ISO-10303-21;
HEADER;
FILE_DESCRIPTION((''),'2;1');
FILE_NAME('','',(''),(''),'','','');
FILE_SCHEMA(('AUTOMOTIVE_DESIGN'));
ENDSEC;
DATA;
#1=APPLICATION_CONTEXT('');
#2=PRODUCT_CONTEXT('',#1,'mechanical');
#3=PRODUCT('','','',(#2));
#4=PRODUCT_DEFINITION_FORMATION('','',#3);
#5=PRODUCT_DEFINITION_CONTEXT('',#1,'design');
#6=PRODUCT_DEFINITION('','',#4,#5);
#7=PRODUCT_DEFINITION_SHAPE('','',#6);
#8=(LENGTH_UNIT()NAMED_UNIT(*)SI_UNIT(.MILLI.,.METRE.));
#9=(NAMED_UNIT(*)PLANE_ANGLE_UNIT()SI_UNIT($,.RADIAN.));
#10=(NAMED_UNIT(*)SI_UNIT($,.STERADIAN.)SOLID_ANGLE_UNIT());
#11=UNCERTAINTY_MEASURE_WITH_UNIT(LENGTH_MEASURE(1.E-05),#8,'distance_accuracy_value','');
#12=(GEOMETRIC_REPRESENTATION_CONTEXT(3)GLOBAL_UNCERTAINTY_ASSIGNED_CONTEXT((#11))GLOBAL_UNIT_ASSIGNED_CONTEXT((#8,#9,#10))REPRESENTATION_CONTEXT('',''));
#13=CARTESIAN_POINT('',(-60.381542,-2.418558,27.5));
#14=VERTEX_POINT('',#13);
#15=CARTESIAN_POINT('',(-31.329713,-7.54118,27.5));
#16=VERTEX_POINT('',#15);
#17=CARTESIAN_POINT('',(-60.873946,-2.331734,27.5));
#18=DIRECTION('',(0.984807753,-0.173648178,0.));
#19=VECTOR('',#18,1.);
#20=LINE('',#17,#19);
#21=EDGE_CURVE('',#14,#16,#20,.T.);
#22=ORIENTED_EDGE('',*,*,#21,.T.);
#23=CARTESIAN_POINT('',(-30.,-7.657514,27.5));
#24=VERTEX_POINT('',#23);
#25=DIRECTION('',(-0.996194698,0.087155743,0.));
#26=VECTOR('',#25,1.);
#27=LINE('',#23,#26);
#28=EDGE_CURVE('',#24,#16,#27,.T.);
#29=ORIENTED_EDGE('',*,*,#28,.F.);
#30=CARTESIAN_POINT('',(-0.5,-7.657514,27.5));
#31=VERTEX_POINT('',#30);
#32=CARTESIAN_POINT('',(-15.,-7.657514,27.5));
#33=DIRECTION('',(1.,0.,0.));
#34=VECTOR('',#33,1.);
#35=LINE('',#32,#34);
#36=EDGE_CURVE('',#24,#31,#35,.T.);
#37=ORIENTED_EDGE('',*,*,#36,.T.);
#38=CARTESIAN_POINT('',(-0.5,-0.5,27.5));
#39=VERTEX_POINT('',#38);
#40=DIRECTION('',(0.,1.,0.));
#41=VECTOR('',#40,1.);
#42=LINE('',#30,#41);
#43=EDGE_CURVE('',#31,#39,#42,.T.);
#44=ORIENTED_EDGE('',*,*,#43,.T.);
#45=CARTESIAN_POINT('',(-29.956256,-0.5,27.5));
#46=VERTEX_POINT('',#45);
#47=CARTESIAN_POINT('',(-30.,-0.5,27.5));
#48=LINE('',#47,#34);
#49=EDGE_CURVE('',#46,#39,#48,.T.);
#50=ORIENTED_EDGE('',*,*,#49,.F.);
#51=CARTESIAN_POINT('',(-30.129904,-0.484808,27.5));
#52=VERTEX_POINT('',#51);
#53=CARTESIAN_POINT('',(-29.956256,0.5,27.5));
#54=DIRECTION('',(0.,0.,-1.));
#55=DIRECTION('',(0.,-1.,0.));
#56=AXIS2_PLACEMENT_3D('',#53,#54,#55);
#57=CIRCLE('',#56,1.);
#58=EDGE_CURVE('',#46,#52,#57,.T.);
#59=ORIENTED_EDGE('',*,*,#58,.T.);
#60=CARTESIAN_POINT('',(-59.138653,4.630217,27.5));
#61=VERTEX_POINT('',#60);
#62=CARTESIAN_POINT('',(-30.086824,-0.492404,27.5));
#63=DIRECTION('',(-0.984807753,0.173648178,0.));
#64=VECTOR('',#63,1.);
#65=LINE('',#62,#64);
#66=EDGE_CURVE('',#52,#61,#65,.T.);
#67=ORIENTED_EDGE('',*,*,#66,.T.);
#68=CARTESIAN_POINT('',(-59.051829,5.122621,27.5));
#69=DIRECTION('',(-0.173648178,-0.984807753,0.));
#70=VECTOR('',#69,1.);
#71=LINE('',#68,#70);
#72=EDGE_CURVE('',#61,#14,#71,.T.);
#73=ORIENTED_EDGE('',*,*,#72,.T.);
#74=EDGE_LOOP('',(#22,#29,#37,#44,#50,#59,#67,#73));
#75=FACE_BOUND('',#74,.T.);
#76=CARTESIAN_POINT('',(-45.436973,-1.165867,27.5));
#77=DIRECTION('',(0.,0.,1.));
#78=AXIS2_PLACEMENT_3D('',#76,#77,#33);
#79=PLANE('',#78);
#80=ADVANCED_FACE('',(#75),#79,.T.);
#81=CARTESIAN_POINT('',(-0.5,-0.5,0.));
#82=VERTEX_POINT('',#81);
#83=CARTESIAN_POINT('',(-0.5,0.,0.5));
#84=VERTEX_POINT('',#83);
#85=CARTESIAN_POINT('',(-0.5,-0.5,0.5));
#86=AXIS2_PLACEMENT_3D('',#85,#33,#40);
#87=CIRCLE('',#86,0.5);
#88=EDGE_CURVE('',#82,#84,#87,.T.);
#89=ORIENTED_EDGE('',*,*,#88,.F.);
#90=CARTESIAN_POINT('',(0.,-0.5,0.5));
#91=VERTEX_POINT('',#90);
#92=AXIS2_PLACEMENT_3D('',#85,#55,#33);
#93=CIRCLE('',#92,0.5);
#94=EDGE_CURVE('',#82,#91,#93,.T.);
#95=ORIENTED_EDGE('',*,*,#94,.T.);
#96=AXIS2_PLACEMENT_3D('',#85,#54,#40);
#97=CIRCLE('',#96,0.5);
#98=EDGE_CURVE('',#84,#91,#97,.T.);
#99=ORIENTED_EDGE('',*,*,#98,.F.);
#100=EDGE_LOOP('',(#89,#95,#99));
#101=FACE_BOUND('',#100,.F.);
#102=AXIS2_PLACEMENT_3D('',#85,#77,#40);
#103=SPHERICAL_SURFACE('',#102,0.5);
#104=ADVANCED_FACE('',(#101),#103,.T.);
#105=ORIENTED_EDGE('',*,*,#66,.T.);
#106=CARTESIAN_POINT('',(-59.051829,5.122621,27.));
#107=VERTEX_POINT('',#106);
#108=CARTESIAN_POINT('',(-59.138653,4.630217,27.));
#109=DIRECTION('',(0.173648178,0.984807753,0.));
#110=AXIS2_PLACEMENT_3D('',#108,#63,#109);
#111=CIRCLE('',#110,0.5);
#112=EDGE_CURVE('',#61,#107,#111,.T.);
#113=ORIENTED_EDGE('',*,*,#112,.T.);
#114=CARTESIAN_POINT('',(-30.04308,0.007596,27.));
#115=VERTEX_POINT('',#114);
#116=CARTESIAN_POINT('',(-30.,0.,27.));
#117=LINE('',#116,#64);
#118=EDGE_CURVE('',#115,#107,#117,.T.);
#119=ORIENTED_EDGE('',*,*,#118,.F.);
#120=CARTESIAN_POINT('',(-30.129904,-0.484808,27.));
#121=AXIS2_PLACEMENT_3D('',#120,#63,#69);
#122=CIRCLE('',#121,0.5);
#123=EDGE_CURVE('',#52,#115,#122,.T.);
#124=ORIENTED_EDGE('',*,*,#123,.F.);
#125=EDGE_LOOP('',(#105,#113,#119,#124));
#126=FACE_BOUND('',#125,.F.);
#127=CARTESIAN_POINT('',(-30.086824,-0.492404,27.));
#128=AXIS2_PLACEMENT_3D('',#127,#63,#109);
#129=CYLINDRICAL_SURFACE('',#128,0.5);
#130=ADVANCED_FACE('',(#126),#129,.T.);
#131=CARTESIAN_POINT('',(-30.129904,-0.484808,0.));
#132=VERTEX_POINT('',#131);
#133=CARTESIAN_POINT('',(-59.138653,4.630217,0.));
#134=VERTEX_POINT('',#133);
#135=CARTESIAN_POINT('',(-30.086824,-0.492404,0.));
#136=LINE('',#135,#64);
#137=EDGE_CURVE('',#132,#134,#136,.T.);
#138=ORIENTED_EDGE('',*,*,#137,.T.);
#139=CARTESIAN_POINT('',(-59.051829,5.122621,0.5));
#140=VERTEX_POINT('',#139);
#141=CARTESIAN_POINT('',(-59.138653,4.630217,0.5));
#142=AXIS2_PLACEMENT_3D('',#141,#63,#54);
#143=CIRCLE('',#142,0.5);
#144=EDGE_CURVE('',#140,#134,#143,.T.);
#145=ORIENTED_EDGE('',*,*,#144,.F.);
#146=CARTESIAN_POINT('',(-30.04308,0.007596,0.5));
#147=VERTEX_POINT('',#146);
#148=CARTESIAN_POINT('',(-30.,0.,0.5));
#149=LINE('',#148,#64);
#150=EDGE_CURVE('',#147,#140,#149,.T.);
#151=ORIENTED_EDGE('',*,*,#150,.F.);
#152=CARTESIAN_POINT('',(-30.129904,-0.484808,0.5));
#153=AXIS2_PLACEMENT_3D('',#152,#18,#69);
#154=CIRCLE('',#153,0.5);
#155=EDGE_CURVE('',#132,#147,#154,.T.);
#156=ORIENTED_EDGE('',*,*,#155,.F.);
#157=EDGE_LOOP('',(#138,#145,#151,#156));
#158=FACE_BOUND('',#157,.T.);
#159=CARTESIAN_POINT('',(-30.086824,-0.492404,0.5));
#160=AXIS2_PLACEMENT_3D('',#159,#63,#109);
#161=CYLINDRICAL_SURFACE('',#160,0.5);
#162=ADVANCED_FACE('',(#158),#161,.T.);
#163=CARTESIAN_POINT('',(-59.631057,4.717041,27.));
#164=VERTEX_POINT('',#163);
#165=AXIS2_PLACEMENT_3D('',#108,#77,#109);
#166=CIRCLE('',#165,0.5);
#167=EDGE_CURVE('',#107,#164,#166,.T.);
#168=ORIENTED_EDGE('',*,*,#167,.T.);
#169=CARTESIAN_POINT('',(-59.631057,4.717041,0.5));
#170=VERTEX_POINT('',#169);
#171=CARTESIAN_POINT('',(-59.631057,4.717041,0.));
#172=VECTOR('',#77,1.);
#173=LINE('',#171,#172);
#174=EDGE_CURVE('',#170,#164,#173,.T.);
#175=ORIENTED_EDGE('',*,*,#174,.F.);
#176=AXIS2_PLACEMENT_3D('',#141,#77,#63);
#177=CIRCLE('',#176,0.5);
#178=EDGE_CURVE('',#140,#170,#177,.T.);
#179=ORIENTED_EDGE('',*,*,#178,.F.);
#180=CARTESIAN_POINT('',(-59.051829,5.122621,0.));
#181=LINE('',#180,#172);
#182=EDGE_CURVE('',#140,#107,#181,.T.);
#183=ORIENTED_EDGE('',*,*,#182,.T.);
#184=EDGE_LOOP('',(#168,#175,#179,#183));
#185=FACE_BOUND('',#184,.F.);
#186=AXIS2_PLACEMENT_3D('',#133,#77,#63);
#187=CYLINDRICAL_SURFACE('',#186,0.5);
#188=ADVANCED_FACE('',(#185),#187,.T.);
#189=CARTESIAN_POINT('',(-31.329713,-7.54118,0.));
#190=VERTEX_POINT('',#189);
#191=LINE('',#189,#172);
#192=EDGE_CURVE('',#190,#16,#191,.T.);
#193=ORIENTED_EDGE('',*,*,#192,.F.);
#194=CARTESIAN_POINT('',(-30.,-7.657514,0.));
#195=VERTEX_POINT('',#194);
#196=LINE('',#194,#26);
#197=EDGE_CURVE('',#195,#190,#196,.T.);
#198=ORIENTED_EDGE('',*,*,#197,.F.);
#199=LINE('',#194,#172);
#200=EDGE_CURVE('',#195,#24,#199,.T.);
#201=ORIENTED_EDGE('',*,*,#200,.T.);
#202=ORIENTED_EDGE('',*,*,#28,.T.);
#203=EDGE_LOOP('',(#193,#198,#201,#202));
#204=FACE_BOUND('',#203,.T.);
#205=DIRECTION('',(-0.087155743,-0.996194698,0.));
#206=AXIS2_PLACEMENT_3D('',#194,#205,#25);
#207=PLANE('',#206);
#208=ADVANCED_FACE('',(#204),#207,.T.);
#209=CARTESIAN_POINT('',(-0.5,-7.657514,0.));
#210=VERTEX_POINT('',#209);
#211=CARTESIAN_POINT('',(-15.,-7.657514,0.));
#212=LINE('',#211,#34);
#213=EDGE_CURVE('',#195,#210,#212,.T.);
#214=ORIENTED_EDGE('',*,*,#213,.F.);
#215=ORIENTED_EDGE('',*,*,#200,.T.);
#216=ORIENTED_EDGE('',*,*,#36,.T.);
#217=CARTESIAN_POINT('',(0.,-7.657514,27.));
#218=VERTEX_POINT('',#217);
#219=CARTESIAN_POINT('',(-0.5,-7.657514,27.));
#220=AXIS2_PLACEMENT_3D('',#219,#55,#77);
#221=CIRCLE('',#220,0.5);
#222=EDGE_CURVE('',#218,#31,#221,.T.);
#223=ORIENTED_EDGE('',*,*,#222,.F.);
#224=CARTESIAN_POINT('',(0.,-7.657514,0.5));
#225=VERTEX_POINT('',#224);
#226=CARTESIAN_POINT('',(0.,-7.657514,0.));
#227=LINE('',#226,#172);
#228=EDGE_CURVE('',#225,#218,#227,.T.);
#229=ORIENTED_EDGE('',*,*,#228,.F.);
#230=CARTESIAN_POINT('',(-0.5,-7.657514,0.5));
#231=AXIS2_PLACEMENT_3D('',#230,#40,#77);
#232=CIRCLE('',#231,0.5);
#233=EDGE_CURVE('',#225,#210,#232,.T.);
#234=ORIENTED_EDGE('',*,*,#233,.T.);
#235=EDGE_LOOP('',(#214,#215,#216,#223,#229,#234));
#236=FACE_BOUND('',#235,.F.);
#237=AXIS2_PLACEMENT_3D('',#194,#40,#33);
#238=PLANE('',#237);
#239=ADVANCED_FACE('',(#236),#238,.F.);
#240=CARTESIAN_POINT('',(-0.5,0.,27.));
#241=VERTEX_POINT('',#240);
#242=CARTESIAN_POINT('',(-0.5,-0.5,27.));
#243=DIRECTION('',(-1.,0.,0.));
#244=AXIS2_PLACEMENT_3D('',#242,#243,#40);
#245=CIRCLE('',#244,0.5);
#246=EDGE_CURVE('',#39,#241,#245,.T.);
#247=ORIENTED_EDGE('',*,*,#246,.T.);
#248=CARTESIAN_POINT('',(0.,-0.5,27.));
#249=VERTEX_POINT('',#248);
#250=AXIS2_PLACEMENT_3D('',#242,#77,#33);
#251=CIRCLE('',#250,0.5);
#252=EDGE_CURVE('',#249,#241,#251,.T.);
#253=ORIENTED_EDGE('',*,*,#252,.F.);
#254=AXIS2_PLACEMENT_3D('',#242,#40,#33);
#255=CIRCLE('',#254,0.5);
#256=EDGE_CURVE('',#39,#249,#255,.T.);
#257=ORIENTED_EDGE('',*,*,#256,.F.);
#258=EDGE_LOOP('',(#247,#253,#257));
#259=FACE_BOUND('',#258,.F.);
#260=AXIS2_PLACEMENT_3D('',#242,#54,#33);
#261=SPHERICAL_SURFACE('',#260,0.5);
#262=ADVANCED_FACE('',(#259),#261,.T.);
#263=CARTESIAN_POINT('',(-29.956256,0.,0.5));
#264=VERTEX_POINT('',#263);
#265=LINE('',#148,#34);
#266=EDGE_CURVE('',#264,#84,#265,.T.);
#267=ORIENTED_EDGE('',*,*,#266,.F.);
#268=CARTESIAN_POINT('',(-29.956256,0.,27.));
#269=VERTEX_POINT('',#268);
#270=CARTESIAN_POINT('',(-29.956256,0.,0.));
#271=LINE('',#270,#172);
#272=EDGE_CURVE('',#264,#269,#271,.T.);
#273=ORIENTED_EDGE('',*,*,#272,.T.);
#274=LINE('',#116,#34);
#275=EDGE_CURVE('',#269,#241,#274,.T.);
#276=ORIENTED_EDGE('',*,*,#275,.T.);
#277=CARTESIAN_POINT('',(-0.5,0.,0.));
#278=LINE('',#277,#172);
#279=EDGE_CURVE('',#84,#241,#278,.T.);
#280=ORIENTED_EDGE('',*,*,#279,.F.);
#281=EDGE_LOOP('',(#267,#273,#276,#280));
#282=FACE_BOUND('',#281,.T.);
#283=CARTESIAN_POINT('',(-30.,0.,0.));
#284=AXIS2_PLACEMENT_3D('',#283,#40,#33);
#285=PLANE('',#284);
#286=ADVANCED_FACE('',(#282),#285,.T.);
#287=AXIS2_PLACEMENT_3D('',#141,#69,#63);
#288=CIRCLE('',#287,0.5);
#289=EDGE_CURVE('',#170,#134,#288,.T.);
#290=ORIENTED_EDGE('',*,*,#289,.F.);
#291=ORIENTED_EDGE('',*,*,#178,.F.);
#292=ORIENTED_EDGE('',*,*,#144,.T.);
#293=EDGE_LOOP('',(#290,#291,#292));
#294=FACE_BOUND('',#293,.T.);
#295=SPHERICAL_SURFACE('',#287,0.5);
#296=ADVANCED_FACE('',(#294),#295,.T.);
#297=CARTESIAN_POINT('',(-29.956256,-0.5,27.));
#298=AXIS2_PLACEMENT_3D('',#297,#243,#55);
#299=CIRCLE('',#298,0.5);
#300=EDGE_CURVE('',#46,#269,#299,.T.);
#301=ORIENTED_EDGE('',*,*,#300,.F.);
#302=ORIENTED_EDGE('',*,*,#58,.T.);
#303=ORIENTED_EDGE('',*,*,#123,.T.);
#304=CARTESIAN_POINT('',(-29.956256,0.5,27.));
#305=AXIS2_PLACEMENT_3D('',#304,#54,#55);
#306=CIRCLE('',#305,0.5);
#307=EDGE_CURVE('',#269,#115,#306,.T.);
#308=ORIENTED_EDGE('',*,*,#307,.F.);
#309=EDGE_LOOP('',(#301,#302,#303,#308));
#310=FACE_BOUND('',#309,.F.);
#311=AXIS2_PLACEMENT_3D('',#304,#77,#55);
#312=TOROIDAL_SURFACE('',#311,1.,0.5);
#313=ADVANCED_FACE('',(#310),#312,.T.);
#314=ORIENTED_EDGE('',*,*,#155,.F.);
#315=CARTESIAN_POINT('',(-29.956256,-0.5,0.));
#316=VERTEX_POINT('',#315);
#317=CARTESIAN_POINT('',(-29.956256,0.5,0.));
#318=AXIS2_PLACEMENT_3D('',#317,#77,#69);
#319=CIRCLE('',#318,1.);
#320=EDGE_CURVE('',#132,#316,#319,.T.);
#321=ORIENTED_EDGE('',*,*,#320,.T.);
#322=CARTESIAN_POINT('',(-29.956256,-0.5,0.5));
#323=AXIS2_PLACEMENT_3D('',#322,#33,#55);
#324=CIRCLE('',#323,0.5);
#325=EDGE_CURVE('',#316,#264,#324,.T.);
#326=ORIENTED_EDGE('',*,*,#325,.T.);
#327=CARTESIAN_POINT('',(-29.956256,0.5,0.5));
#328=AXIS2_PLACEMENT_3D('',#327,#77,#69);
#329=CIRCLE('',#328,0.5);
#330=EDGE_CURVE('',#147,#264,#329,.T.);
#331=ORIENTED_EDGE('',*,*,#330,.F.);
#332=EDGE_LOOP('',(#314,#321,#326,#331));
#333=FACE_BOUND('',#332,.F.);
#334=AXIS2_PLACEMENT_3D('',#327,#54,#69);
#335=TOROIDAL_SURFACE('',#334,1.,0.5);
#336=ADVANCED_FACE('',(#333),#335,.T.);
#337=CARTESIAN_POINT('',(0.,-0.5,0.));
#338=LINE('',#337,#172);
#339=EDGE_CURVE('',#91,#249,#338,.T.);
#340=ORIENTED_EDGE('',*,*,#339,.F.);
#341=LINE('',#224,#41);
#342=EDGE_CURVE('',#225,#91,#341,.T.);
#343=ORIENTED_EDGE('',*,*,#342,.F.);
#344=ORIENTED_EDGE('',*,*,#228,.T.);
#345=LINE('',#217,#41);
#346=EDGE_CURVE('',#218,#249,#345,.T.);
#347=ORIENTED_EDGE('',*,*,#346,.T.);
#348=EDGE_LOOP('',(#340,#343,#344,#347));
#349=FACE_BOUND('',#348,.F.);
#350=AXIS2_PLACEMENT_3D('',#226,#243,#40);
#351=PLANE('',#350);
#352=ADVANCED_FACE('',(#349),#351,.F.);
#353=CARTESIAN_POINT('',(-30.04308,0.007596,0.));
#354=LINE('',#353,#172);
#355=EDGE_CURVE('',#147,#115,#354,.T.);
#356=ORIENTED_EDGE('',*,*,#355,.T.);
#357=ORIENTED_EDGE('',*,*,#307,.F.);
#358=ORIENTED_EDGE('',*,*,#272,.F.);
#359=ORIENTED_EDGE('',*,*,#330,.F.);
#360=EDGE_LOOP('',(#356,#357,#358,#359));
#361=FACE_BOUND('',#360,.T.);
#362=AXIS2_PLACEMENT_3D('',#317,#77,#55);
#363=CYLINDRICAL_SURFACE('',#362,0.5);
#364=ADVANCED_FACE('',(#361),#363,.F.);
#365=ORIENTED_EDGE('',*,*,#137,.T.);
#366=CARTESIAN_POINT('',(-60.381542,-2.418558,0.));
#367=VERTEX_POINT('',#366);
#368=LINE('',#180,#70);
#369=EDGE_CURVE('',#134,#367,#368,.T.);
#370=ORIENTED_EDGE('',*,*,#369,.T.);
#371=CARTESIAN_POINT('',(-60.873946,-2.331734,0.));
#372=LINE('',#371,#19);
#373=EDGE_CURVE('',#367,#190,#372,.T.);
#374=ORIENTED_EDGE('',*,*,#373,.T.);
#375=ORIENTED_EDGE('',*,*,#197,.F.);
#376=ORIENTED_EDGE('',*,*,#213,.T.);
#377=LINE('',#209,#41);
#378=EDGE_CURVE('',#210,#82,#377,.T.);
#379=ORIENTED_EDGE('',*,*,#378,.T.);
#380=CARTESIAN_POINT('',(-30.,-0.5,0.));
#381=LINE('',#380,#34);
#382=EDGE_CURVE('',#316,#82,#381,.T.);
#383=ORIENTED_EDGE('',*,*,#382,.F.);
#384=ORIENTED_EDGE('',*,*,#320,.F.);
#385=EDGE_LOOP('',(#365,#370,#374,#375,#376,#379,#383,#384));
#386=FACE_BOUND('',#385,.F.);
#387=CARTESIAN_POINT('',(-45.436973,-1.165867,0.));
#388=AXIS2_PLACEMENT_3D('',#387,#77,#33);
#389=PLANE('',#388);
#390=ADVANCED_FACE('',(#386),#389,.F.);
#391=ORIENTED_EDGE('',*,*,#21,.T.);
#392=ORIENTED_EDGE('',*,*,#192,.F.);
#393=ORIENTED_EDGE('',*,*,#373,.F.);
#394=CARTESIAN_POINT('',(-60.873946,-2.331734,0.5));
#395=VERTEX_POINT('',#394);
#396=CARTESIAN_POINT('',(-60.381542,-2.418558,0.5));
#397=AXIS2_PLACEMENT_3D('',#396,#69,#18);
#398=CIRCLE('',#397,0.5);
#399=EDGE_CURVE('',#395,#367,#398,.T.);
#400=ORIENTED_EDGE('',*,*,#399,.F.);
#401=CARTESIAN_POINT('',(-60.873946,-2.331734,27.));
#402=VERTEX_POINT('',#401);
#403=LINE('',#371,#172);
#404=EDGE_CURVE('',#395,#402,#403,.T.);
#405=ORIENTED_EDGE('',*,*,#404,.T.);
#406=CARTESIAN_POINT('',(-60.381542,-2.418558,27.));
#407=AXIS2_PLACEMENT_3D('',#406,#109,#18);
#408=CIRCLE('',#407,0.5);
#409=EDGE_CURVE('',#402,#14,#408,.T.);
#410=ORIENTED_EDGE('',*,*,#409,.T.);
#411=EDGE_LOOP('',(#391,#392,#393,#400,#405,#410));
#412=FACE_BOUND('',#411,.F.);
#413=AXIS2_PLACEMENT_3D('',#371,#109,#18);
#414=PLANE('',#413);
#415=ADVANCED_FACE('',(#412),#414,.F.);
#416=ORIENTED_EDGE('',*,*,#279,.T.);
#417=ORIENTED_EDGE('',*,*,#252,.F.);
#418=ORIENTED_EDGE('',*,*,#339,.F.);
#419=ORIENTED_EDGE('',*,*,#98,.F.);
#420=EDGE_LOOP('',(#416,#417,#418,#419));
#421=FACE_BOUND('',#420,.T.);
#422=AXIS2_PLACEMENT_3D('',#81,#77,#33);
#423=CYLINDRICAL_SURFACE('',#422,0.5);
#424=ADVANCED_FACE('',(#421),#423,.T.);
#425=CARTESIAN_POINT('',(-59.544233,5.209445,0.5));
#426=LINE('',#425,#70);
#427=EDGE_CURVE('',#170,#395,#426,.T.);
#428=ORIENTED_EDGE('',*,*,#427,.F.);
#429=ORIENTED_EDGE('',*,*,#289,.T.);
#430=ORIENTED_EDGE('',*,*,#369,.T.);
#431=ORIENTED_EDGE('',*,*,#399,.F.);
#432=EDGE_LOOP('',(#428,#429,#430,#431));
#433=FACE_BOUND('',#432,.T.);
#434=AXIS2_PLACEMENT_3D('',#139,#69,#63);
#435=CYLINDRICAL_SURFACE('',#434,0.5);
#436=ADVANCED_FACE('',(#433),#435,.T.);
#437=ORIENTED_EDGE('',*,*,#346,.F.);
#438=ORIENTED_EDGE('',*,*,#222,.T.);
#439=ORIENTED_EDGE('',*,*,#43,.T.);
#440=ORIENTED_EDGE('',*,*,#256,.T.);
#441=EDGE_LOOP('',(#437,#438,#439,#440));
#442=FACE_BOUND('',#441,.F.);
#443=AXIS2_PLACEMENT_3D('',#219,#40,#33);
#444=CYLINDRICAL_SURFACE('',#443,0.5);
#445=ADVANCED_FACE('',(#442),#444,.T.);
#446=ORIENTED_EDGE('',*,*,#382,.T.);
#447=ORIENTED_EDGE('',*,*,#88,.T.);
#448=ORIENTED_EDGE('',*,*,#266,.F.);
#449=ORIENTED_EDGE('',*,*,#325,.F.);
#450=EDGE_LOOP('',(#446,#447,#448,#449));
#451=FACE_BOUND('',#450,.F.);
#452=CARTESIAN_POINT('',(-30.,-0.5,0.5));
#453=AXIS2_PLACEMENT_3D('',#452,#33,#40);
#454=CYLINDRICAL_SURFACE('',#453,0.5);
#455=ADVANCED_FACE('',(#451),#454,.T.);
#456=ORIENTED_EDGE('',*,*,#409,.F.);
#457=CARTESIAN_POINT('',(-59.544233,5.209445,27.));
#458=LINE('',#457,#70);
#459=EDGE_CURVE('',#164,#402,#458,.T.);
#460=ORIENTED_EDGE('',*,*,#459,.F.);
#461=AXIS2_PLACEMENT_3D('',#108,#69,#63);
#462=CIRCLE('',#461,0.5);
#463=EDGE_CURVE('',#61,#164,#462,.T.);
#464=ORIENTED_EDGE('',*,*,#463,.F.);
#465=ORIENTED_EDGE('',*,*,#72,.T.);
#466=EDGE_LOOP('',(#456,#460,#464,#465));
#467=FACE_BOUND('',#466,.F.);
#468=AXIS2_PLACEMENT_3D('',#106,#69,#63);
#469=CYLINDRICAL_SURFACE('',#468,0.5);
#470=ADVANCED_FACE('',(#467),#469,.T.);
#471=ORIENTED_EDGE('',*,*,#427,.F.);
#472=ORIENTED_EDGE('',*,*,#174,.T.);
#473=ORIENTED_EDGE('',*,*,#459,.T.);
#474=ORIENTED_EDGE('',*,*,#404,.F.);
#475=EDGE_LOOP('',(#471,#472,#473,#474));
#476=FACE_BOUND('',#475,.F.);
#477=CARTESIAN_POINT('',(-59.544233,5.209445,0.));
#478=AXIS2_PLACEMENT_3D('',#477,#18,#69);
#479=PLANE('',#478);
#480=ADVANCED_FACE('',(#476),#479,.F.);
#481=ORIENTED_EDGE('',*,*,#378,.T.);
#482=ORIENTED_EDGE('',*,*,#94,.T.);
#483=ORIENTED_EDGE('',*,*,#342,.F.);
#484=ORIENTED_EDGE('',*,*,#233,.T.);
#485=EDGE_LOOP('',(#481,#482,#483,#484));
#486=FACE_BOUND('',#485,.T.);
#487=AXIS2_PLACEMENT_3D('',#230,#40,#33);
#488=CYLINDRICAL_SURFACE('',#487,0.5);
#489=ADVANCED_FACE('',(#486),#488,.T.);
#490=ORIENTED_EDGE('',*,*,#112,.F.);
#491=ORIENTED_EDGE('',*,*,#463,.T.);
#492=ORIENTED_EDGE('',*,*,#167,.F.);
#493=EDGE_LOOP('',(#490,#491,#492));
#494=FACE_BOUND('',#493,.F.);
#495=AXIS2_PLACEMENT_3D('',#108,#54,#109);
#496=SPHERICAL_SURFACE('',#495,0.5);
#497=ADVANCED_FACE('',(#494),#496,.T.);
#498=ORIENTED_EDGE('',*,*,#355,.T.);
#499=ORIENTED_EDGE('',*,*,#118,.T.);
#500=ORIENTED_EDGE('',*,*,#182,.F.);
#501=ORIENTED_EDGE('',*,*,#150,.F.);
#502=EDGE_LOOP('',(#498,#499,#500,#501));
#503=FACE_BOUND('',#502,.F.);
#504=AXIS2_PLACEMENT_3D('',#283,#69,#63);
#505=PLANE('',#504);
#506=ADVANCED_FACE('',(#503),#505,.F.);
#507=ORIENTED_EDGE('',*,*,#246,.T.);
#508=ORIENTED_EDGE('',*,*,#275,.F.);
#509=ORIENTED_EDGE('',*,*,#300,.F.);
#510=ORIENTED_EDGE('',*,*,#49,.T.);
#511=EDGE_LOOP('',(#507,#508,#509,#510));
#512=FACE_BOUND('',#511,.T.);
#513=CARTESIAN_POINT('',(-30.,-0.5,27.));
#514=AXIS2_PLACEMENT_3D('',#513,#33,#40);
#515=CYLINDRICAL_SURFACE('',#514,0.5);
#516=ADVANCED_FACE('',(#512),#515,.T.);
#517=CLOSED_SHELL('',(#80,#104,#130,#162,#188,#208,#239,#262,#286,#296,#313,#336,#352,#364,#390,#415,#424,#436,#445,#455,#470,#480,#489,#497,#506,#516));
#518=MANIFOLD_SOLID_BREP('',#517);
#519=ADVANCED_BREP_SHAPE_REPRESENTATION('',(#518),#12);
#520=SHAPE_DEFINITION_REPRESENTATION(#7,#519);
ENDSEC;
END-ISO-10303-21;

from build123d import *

# Parameters (mm, degrees)
SKETCH1_W           = 30
SKETCH1_H           = 7.657514459
BOSS_EXTRUDE1_DEPTH = 27.5
FILLET1_R           = 0.5


with BuildPart() as part:
    # Sketch1 → Boss-Extrude1 (new body)
    with BuildSketch(Plane.XY):
        Polygon((-59.54423259, 5.20944533), (-60.873946022, -2.331734278), (-31.329713431, -7.541179608), (-30, 0), align=None)
        Polygon((-30, -7.657514459), (-31.329713431, -7.541179608), (-30, 0), align=None)
        with Locations((-15, -3.82875723)):
            Rectangle(SKETCH1_W, SKETCH1_H)
    extrude(amount=BOSS_EXTRUDE1_DEPTH)

    # Fillet1
    fillet1_edges = [part.edges().sort_by_distance(p)[0] for p in [
        (-60.209089306, 1.438855526, 0),
        (-59.54423259, 5.20944533, 13.75),
        (-30, 0, 13.75),
        (0, 0, 13.75),
        (0, -3.828757229, 27.5),
        (-15, 0, 27.5),
        (-44.772116295, 2.604722665, 27.5),
        (-60.209089306, 1.438855526, 27.5),
        (-44.772116295, 2.604722665, 0),
        (-15, 0, 0),
        (0, -3.828757229, 0),
    ]]
    fillet(fillet1_edges, radius=FILLET1_R)


solid = part.part
